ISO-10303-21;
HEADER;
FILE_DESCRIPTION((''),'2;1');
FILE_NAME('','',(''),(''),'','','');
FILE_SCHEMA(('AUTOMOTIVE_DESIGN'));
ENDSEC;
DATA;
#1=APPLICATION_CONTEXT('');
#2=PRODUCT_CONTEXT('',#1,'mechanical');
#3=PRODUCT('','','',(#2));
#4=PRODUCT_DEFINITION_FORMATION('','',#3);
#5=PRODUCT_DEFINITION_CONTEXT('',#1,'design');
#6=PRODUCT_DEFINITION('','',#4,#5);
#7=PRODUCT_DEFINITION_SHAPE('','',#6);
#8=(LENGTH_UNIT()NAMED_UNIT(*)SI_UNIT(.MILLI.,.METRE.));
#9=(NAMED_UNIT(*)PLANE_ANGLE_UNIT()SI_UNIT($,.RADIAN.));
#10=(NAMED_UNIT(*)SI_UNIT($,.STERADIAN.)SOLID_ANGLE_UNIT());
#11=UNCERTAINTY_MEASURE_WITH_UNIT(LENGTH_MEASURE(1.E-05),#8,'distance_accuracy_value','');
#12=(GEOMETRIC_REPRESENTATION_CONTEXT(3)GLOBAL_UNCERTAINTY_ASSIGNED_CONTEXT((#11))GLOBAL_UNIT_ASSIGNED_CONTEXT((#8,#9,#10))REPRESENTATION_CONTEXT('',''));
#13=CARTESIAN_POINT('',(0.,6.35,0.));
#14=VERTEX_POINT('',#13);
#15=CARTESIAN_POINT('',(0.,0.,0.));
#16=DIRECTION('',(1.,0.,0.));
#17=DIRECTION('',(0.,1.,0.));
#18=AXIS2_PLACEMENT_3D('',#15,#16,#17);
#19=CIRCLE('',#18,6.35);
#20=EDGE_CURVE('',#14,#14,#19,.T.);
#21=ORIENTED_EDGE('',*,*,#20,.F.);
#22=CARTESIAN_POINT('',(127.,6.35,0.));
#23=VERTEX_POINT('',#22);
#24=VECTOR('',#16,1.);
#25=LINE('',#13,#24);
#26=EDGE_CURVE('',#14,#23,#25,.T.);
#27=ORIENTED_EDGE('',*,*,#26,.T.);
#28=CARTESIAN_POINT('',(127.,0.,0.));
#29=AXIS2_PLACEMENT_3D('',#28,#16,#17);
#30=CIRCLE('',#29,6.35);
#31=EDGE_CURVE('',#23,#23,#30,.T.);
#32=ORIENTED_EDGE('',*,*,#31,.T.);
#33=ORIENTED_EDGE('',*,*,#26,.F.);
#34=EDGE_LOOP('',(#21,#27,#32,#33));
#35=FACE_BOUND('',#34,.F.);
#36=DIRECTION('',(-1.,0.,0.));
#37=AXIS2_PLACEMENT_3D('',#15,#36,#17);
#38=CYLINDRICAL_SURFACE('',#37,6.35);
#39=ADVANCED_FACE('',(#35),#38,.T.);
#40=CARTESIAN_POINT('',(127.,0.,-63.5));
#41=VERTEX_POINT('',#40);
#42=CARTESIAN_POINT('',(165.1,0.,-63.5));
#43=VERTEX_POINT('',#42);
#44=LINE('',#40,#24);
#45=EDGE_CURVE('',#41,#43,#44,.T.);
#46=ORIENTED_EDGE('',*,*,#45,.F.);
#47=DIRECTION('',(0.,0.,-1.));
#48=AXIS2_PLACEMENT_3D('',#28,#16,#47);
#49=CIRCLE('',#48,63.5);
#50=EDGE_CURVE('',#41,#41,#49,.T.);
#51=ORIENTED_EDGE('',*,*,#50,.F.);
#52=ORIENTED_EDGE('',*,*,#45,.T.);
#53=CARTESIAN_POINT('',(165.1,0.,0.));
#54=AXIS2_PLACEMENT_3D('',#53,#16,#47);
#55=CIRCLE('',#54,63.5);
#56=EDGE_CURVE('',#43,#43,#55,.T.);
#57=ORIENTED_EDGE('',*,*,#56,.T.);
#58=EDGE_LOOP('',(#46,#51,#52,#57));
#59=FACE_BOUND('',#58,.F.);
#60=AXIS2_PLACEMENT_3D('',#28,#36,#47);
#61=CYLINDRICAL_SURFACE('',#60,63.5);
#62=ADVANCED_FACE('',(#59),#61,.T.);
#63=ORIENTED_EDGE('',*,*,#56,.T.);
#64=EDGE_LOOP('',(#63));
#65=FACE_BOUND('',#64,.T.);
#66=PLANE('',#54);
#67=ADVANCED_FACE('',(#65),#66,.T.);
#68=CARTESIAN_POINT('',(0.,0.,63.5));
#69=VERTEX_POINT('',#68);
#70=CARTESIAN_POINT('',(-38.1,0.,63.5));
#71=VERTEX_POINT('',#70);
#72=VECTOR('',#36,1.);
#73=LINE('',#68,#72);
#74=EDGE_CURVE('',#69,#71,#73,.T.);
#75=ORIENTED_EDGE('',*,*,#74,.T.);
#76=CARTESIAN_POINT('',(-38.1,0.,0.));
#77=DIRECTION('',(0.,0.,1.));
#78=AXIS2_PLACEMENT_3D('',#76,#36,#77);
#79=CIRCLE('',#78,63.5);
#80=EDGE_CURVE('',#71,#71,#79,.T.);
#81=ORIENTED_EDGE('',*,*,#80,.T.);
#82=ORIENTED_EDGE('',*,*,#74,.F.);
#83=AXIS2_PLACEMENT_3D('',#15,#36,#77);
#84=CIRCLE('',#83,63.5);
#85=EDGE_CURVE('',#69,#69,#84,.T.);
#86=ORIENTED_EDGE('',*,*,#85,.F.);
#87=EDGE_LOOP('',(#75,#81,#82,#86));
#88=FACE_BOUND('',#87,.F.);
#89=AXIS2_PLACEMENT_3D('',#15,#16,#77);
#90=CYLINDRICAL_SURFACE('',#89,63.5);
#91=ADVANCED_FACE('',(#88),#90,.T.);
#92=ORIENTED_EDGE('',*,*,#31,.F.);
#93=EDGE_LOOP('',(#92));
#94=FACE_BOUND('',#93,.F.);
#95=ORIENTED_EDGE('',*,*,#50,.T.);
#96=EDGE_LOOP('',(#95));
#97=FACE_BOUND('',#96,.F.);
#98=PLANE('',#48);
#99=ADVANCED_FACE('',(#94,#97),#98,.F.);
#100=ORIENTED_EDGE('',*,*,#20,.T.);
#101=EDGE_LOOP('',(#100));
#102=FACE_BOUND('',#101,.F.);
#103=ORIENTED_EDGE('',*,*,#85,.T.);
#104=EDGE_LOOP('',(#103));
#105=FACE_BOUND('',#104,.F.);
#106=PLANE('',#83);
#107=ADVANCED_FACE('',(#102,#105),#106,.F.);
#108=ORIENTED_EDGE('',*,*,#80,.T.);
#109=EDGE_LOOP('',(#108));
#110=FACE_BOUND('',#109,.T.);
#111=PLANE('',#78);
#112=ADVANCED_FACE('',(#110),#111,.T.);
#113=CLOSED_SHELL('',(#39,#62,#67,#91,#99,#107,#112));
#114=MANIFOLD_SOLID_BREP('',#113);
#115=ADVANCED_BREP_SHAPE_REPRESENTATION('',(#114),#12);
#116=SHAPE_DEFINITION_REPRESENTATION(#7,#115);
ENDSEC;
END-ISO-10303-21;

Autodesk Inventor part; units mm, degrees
ref_plane "YZ Plane" through (0, 0, 0) normal (1, 0, 0) x (0, 1, 0)
ref_plane "XZ Plane" through (0, 0, 0) normal (0, 1, 0) x (-1, 0, 0)
ref_plane "XY Plane" through (0, 0, 0) normal (0, 0, 1) x (1, 0, 0)
sketch "Sketch1" plane through (0, 0, 0) normal (1, 0, 0) x (0, 1, 0)
  circle A0 centre (0, 0) radius 6.35
  dimension "d0" = 12.7
extrude "Extrusion1" add sketch "Sketch1" along normal blind 127
sketch "Sketch2" plane through (127, 0, 0) normal (1, 0, 0) x (0, 0, -1)
  circle A0 centre (0, 0) radius 63.5
  dimension "d3" = 127
extrude "Extrusion2" add sketch "Sketch2" along normal blind 38.1
sketch "Sketch3" plane through (0, 0, 0) normal (-1, 0, 0) x (0, 0, 1)
  circle A0 centre (0, 0) radius 63.5
  dimension "d6" = 127
extrude "Extrusion3" add sketch "Sketch3" along normal blind 38.1
properties part number "Wheel"
